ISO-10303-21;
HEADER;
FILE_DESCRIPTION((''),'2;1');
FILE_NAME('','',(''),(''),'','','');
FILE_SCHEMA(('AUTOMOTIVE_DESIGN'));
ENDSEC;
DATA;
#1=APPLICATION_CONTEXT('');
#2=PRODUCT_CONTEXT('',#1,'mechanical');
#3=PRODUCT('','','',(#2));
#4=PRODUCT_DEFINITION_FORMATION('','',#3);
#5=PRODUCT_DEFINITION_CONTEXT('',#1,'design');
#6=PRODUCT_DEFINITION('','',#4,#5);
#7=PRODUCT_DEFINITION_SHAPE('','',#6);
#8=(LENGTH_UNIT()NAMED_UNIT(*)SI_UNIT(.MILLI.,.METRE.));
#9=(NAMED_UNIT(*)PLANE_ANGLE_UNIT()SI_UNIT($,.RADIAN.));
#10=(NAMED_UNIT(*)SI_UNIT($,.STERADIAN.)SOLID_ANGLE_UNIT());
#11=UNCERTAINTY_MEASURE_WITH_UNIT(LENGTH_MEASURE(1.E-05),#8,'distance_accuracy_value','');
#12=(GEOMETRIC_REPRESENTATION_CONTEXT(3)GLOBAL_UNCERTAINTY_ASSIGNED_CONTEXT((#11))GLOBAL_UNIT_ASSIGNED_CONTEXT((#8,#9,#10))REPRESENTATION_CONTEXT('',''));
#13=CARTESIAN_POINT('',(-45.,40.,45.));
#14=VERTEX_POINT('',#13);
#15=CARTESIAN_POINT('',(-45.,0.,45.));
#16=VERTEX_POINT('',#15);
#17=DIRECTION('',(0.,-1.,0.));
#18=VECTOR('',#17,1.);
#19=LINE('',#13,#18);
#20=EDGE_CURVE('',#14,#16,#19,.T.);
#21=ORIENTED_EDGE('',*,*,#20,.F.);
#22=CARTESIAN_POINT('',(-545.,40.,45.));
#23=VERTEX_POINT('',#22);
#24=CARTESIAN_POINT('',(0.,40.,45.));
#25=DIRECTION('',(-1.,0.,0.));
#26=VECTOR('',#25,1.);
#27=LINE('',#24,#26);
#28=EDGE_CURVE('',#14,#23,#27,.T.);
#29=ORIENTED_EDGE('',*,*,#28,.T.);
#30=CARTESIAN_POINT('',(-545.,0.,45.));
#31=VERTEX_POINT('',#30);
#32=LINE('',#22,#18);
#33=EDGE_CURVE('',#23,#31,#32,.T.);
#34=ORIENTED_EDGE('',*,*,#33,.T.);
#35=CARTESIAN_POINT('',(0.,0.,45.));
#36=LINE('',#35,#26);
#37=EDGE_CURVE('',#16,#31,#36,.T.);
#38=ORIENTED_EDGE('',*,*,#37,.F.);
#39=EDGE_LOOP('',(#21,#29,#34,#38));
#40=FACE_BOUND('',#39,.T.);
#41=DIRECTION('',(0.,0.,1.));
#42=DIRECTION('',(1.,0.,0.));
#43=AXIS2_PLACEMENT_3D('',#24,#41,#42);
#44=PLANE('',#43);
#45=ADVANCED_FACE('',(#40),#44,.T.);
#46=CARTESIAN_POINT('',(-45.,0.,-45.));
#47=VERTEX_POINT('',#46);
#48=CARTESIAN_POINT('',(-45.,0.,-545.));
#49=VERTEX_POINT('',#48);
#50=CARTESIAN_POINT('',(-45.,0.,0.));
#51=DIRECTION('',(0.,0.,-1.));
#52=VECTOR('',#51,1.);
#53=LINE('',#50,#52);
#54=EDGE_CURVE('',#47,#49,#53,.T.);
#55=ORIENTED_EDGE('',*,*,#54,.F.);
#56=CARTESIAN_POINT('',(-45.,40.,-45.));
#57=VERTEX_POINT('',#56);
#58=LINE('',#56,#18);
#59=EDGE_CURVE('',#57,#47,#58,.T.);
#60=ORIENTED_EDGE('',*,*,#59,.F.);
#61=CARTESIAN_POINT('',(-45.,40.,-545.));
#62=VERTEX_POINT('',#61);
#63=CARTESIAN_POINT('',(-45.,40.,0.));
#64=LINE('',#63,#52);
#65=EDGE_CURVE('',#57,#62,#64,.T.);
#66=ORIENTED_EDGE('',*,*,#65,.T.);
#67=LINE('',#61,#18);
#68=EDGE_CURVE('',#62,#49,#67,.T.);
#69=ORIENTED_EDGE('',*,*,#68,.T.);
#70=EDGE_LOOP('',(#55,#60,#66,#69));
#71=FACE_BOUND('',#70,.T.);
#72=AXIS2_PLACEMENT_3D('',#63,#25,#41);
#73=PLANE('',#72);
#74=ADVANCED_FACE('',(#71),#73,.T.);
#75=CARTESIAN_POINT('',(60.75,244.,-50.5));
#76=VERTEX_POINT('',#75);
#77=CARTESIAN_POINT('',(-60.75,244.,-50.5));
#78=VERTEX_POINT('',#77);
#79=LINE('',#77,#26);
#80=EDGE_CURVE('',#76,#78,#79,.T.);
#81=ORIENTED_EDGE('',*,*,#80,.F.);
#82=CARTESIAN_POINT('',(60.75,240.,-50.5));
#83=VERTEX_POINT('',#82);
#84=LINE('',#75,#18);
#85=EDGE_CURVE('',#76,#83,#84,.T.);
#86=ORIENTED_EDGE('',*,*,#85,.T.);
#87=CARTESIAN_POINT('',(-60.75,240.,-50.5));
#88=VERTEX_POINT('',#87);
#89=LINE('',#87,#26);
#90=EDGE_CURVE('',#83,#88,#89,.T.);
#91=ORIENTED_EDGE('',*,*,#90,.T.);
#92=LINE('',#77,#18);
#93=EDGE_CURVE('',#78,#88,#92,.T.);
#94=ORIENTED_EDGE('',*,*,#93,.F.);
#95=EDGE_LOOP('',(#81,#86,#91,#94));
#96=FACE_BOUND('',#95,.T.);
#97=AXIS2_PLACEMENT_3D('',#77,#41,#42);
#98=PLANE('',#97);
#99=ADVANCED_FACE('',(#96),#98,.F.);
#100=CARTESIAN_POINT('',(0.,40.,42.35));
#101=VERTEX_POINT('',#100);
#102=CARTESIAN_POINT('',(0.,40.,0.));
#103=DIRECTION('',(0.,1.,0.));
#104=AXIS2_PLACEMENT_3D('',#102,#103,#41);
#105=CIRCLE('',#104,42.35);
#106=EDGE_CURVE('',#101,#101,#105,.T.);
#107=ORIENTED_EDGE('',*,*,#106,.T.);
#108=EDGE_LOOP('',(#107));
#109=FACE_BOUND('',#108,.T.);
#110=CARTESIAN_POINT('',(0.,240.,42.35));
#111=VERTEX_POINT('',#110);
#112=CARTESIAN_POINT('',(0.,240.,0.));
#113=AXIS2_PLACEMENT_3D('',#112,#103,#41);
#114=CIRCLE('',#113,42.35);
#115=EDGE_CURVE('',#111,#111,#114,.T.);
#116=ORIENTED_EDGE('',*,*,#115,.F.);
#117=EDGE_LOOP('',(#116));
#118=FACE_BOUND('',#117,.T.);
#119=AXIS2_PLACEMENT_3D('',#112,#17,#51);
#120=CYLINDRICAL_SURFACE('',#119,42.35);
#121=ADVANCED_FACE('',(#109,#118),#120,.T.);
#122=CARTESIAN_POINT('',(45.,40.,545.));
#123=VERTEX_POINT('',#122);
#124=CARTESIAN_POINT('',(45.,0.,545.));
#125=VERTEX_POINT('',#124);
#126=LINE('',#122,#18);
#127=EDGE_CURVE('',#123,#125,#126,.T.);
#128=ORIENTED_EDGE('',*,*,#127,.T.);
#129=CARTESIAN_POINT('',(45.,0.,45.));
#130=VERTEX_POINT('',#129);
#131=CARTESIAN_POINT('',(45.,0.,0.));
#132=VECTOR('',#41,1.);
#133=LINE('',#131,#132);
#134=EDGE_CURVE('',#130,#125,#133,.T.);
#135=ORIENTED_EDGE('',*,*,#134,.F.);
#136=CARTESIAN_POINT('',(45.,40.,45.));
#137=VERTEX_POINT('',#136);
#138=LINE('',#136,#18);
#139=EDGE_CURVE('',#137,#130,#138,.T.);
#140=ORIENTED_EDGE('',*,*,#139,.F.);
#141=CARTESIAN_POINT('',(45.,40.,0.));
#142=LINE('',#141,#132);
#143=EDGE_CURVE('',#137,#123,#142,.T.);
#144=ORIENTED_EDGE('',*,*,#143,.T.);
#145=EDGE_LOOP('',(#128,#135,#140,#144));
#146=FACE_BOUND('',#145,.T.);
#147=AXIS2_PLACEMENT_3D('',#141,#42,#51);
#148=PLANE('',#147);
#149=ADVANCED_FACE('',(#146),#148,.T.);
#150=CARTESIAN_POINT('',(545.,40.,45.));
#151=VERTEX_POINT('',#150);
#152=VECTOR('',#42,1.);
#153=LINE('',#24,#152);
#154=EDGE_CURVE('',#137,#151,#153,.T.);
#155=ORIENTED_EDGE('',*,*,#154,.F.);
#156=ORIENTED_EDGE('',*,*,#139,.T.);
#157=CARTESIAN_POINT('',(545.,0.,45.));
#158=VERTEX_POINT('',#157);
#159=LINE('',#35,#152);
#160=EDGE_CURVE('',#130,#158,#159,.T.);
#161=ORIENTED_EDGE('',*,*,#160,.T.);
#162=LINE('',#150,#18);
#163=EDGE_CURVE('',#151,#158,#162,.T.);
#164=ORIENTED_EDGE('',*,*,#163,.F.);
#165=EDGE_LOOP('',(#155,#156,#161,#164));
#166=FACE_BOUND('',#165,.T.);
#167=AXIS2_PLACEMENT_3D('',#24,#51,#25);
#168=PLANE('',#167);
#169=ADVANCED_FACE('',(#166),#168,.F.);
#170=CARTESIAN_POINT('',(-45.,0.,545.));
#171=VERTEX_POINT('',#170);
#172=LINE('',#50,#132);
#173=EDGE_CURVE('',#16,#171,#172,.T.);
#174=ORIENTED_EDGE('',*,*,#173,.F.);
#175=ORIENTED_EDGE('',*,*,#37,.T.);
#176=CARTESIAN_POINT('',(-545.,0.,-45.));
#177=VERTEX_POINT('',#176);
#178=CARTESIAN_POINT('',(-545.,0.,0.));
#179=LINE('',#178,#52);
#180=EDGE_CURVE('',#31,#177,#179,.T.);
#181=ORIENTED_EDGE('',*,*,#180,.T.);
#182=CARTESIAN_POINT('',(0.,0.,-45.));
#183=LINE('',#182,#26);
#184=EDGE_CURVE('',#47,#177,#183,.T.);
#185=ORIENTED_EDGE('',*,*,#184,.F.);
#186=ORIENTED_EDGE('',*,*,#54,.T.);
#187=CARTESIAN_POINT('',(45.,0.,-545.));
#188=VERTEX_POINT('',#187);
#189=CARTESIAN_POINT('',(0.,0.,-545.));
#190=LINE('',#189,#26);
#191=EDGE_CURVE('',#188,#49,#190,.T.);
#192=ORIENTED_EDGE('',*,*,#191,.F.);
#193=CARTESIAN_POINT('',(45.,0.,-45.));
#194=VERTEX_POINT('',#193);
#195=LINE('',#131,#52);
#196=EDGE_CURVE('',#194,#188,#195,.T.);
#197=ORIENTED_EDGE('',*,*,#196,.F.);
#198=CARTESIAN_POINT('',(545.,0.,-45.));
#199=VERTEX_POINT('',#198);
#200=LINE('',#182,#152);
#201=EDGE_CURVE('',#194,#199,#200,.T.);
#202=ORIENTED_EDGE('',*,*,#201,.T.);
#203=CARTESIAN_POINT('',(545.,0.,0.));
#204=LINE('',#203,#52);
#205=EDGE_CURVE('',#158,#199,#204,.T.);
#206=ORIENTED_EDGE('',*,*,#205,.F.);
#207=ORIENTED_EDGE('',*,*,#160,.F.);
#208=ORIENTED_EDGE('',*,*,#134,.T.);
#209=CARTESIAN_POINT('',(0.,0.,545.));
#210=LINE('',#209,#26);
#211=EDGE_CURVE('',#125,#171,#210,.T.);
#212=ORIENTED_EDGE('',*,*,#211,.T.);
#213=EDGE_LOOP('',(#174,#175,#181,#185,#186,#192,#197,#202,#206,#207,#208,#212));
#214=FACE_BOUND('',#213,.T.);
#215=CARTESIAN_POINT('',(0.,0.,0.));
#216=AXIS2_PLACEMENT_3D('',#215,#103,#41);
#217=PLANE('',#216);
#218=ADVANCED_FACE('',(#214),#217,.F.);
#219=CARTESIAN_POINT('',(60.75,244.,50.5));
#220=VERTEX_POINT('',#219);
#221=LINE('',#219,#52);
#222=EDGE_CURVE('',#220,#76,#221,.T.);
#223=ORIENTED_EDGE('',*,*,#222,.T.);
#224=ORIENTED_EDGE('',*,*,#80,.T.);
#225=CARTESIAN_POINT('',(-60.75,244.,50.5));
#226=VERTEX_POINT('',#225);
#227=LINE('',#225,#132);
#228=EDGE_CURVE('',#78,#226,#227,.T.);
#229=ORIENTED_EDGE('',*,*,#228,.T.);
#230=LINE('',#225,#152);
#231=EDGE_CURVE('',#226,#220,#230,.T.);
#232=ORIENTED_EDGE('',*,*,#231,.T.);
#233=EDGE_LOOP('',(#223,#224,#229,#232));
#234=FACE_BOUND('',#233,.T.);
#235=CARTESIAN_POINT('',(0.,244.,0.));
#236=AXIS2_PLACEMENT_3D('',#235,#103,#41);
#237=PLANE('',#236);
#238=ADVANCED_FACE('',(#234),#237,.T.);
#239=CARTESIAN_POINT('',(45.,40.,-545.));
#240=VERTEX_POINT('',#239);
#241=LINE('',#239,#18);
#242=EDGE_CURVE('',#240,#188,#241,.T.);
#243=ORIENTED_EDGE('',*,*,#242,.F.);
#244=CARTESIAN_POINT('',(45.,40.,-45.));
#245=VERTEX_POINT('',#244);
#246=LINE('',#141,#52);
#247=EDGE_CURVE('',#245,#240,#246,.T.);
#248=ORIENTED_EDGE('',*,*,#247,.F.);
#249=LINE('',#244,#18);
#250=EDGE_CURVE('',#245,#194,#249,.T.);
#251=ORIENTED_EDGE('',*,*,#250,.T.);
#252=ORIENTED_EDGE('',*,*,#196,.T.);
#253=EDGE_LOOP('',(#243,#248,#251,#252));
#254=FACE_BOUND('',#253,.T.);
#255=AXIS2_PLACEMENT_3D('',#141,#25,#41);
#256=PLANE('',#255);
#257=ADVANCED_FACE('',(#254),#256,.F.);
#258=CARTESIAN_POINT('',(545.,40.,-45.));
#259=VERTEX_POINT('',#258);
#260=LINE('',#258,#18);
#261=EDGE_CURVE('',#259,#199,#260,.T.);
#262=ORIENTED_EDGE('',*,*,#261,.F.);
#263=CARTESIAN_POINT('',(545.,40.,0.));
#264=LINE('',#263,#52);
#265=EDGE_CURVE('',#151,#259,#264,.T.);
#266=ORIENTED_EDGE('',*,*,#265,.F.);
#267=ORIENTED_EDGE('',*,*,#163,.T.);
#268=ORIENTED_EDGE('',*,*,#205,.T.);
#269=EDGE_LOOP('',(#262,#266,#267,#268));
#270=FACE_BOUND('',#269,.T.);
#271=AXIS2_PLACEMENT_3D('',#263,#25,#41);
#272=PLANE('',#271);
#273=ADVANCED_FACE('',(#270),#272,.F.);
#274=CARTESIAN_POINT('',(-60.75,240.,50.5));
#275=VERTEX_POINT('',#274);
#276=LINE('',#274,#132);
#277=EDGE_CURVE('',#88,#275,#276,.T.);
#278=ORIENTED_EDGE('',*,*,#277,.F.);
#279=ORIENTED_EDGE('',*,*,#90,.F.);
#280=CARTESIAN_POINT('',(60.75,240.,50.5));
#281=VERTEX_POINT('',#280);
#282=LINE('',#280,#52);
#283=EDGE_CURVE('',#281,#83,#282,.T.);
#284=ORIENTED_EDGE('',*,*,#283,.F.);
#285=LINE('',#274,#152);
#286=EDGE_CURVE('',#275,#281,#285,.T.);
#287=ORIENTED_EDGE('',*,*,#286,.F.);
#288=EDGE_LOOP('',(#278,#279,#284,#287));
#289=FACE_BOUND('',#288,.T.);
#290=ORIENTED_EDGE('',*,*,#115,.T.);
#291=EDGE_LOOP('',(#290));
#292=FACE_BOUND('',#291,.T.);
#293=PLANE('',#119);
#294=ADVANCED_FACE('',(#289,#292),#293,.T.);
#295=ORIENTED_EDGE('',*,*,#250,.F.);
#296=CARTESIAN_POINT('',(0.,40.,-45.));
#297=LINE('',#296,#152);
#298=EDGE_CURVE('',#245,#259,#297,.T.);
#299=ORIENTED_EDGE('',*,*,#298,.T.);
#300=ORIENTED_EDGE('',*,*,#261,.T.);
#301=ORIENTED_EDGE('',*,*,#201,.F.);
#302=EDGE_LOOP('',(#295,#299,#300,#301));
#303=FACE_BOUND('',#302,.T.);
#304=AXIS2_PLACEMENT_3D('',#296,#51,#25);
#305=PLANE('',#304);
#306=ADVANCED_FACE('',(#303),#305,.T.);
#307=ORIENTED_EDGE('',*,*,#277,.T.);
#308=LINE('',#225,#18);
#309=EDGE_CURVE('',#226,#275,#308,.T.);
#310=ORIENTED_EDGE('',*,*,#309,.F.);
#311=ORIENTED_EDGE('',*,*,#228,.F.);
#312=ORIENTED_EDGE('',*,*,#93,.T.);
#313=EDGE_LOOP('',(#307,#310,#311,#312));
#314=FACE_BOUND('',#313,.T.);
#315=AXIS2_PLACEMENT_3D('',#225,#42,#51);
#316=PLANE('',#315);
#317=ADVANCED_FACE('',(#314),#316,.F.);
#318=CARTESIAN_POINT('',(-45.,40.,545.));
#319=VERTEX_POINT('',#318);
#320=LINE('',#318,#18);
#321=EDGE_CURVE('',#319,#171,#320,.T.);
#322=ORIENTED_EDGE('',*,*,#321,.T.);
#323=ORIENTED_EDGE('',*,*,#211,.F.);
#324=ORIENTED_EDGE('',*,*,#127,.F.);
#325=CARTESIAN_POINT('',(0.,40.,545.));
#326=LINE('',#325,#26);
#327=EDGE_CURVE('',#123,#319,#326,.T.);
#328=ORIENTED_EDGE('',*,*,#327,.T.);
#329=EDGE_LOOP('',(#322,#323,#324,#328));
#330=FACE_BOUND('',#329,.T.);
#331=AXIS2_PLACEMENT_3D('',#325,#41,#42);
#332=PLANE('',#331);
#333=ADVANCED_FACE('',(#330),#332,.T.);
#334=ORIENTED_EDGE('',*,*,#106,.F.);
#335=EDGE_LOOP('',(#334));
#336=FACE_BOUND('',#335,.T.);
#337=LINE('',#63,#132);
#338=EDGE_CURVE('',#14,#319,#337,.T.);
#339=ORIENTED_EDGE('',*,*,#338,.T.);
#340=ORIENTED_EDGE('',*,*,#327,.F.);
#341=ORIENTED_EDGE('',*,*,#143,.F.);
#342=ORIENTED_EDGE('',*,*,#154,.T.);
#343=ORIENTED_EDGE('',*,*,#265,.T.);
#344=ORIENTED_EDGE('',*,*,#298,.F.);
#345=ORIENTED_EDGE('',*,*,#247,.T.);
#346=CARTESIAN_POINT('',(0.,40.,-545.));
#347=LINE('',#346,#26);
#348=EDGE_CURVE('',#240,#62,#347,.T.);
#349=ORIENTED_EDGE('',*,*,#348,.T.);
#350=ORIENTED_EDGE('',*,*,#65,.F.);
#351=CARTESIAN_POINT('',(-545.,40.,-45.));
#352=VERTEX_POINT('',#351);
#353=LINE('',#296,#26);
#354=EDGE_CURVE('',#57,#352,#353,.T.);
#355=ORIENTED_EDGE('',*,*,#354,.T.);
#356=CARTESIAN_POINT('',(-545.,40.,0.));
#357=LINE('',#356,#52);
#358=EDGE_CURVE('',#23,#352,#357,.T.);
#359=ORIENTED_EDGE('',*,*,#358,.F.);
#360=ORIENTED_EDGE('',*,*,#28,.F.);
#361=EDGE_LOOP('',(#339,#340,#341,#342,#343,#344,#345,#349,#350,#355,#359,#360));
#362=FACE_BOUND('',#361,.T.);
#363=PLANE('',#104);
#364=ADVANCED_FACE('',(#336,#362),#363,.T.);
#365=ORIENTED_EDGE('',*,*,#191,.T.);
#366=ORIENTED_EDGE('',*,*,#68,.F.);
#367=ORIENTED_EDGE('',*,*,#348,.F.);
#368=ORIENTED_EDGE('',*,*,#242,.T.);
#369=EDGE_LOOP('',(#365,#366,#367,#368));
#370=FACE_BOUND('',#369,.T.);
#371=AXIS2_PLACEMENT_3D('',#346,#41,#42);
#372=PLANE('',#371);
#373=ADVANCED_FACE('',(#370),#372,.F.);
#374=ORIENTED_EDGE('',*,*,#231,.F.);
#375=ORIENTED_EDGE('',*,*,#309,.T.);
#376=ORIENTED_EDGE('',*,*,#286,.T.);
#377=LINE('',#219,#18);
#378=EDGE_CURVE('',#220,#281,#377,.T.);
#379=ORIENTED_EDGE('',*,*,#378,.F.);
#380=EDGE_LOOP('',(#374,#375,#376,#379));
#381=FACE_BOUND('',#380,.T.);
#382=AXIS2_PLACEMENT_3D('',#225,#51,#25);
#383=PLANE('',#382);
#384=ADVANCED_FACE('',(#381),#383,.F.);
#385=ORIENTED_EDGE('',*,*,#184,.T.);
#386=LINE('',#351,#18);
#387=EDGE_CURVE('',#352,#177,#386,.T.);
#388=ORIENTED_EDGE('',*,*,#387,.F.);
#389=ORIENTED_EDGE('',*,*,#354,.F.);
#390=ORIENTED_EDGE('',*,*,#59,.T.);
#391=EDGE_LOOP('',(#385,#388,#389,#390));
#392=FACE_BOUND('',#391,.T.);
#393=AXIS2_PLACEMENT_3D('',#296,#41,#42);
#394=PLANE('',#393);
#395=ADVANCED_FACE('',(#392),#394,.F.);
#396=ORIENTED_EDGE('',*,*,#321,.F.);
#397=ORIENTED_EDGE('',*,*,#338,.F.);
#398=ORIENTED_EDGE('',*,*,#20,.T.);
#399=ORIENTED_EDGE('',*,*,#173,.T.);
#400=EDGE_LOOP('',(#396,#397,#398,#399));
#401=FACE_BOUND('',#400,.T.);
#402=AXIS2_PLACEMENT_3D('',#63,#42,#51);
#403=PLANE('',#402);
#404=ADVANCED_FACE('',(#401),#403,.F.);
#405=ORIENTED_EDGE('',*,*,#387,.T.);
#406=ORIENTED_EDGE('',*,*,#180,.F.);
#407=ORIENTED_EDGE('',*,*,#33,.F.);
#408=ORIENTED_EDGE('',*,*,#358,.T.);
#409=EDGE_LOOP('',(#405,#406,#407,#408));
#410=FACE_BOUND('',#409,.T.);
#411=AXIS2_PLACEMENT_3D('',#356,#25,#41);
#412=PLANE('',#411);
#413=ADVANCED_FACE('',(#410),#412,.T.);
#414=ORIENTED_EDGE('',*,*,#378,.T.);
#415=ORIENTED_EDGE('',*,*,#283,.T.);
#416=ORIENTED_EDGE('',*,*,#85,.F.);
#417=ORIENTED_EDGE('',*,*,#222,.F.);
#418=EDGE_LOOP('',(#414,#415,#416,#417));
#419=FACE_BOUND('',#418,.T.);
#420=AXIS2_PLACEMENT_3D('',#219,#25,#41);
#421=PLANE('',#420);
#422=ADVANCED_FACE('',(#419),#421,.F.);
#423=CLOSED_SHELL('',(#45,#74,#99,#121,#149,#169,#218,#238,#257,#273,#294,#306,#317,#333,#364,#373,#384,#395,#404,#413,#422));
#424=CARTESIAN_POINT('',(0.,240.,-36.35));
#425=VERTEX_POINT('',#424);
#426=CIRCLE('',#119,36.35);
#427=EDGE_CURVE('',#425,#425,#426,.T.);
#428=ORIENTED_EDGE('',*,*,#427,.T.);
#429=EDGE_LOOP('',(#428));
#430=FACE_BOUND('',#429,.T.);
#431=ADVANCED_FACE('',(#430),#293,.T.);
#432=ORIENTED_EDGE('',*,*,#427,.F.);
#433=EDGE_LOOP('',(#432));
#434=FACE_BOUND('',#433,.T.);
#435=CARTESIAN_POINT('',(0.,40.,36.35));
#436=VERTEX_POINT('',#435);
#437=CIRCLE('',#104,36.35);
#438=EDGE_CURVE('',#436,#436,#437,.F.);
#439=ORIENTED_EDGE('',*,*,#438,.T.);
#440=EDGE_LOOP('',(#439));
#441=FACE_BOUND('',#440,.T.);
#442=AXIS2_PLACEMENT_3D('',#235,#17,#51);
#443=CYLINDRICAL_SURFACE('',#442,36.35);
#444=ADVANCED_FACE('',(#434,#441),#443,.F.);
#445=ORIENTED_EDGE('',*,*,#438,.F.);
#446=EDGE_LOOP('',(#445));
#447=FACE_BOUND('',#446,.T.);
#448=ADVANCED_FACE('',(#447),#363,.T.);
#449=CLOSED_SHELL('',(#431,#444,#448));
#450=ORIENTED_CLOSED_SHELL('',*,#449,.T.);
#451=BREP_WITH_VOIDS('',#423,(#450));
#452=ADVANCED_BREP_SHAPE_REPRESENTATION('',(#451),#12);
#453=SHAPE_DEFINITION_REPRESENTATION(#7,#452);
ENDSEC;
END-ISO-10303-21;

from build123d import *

# Parameters (mm, degrees)
CROQUIS1_W                   = 45
CROQUIS1_H                   = 500
CROQUIS1_W_2                 = 500
CROQUIS1_H_2                 = 45
CROQUIS1_R                   = 45
SALIENTE_EXTRUIR1_DEPTH      = 40
CROQUIS2_R                   = 42.35
SALIENTE_EXTRUIR2_DEPTH      = 200
CROQUIS3_R                   = 39.35
CORTAR_EXTRUIR1_DEPTH        = 200
SALIENTE_EXTRUIR3_DEPTH      = 4
SALIENTE_EXTRUIR3_DEPTH_BACK = 200
CROQUIS4_R                   = 39.35
CROQUIS4_R_2                 = 36.35
CROQUIS6_W                   = 121.5
CROQUIS6_H                   = 101
SALIENTE_EXTRUIR4_DEPTH      = 4


with BuildPart() as part:
    # Croquis1 → Saliente-Extruir1 (new body)
    with BuildSketch(Plane(origin=(0, 0, 0), x_dir=(1, 0, 0), z_dir=(0, 1, 0))):
        with Locations((22.5, -295)):
            Rectangle(CROQUIS1_W, CROQUIS1_H)
        with Locations((-22.5, -295)):
            Rectangle(CROQUIS1_W, CROQUIS1_H)
        with Locations((295, -22.5)):
            Rectangle(CROQUIS1_W_2, CROQUIS1_H_2)
        with Locations((295, 22.5)):
            Rectangle(CROQUIS1_W_2, CROQUIS1_H_2)
        with Locations((-295, 22.5)):
            Rectangle(CROQUIS1_W_2, CROQUIS1_H_2)
        with Locations((-295, -22.5)):
            Rectangle(CROQUIS1_W_2, CROQUIS1_H_2)
        with BuildLine():
            Line((-45, -45), (0, -45))
            ThreePointArc((0, -45), (-31.819805153, -31.819805153), (-45, 0))
            Line((-45, 0), (-45, -45))
        make_face()
        with BuildLine():
            ThreePointArc((0, 45), (31.819805153, 31.819805153), (45, 0))
            Line((45, 0), (45, 45))
            Line((45, 45), (0, 45))
        make_face()
        with BuildLine():
            ThreePointArc((-45, 0), (-31.819805153, 31.819805153), (0, 45))
            Line((0, 45), (-45, 45))
            Line((-45, 45), (-45, 0))
        make_face()
        with Locations((-22.5, 295)):
            Rectangle(CROQUIS1_W, CROQUIS1_H)
        with Locations((22.5, 295)):
            Rectangle(CROQUIS1_W, CROQUIS1_H)
        with BuildLine():
            Line((45, -45), (45, 0))
            ThreePointArc((45, 0), (31.819805153, -31.819805153), (0, -45))
            Line((0, -45), (45, -45))
        make_face()
        Circle(CROQUIS1_R)
    extrude(amount=SALIENTE_EXTRUIR1_DEPTH)

    # Croquis2 → Saliente-Extruir2 (add)
    with BuildSketch(Plane(origin=(0, 40, 0), x_dir=(1, 0, 0), z_dir=(0, 1, 0))):
        with Locations(Location((0, 0, 0), (0, 0, 270))):
            Circle(CROQUIS2_R)
    extrude(amount=SALIENTE_EXTRUIR2_DEPTH)

    # Croquis3 → Cortar-Extruir1 (cut)
    with BuildSketch(Plane(origin=(0, 240, 0), x_dir=(1, 0, 0), z_dir=(0, 1, 0))):
        with Locations(Location((0, 0, 0), (0, 0, 270))):
            Circle(CROQUIS3_R)
    extrude(amount=-CORTAR_EXTRUIR1_DEPTH, mode=Mode.SUBTRACT)

    # Croquis4 → Saliente-Extruir3 (add, two sides: drawn at the far end of the back side and taken through both)
    with BuildSketch(Plane(origin=(0, 240, 0), x_dir=(1, 0, 0), z_dir=(0, 1, 0)).offset(-SALIENTE_EXTRUIR3_DEPTH_BACK)):
        with Locations(Location((0, 0, 0), (0, 0, 270))):
            Circle(CROQUIS4_R)
        with Locations(Location((0, 0, 0), (0, 0, 270))):
            Circle(CROQUIS4_R_2, mode=Mode.SUBTRACT)
    extrude(amount=SALIENTE_EXTRUIR3_DEPTH + SALIENTE_EXTRUIR3_DEPTH_BACK)

    # Croquis6 → Saliente-Extruir4 (add)
    with BuildSketch(Plane(origin=(0, 240, 0), x_dir=(1, 0, 0), z_dir=(0, 1, 0))):
        Rectangle(CROQUIS6_W, CROQUIS6_H)
    extrude(amount=SALIENTE_EXTRUIR4_DEPTH)


solid = part.part
